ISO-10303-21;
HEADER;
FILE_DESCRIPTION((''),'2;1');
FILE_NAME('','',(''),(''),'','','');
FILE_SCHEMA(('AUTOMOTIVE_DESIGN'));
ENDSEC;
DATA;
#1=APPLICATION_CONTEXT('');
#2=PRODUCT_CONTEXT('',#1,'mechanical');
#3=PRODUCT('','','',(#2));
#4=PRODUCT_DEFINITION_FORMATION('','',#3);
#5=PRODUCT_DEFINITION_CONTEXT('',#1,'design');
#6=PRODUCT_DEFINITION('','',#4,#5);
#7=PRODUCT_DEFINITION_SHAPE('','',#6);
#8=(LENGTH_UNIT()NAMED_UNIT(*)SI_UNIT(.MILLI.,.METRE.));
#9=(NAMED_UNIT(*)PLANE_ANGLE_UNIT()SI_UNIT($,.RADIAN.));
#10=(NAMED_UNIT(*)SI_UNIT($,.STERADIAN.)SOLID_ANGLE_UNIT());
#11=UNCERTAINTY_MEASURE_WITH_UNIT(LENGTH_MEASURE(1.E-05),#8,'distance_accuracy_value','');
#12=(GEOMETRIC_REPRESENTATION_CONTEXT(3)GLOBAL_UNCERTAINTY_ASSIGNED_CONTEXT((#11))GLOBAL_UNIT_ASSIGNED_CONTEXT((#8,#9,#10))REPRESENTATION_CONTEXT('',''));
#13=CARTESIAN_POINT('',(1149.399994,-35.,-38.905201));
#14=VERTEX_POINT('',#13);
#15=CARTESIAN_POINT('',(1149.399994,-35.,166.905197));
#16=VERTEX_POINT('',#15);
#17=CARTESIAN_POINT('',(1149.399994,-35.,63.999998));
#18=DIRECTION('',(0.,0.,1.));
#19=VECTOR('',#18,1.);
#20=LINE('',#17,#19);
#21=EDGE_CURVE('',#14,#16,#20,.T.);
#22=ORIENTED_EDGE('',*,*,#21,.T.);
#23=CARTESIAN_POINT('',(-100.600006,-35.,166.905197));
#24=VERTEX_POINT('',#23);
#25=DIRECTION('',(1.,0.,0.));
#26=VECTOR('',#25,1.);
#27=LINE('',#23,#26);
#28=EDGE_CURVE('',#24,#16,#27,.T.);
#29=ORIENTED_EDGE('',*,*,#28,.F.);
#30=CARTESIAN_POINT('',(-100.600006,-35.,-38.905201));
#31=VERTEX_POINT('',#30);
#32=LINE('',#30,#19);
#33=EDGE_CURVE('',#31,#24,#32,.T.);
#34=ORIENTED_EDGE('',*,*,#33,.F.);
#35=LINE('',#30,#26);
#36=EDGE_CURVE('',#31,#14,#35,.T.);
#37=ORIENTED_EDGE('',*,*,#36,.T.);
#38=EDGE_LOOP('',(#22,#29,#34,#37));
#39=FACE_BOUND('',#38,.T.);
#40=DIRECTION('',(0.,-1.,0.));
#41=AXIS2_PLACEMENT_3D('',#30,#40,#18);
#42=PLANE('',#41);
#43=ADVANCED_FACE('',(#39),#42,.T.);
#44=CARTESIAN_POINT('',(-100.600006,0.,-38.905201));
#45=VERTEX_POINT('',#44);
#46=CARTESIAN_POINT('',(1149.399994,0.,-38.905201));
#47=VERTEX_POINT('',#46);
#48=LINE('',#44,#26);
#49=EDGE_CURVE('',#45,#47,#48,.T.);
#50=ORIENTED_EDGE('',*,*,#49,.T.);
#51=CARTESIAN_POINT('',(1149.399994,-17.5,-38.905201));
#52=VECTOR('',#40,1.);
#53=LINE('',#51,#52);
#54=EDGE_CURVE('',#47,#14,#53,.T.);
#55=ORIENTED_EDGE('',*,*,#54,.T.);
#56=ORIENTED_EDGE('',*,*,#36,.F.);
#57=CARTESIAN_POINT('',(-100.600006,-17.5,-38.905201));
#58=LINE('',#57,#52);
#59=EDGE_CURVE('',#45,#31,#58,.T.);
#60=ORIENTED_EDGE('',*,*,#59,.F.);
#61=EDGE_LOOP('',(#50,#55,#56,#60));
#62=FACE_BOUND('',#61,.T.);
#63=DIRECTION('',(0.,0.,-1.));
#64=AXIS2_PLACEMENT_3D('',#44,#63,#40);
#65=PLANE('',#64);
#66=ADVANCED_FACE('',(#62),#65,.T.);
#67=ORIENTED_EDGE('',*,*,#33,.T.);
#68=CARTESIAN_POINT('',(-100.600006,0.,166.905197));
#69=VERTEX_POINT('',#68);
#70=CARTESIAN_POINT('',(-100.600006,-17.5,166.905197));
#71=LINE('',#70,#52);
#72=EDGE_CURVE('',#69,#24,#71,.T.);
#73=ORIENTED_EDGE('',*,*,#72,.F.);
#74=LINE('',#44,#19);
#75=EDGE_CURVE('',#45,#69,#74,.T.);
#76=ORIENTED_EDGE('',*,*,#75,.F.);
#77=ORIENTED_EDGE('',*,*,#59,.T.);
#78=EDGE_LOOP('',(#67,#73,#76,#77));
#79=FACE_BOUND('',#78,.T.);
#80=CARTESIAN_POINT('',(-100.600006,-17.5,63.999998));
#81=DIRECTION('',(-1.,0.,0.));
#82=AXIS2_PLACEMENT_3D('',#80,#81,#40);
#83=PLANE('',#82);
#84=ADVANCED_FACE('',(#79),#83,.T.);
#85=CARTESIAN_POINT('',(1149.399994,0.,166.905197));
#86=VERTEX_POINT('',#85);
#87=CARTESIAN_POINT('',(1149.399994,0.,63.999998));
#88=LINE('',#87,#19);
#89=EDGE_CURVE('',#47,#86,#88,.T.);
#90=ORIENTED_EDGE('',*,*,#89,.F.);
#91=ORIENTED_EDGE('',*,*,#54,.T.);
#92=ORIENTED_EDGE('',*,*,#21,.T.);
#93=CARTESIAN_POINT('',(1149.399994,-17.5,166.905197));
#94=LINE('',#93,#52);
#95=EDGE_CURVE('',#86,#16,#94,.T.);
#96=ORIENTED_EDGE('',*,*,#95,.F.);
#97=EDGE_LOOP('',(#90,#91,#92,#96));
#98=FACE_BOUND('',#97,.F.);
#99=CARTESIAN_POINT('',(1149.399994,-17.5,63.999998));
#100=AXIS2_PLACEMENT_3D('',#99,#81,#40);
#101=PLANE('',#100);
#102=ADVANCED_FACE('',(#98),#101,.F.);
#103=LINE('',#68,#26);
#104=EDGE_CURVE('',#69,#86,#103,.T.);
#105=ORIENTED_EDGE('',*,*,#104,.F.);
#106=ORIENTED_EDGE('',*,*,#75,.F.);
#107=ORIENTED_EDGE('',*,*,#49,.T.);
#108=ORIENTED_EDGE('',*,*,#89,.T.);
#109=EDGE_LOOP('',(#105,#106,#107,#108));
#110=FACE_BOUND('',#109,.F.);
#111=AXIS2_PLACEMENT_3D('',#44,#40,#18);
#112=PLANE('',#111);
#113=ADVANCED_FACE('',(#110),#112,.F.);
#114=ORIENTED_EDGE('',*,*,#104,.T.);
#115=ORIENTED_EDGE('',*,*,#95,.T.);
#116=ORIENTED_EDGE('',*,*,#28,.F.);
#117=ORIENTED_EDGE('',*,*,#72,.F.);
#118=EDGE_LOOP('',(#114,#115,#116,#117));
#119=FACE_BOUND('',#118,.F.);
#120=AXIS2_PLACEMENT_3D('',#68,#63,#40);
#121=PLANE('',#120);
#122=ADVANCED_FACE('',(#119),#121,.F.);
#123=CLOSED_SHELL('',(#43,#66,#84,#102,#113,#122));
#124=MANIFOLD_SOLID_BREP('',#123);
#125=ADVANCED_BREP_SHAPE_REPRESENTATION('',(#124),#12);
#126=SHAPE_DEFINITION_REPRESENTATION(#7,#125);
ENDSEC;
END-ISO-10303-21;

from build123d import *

# Parameters (mm, degrees)
F0_W      = 200
F0_H      = 5.810397
F1_DEPTH  = 35
F1_FACE_W = 200
F1_FACE_H = 35
F2_DEPTH  = 200
F2_FACE_W = 35
F2_FACE_H = 205.810398
F3_DEPTH  = 1250


with BuildPart() as f1:
    # F0 (on Front) → F1 (new body)
    with BuildSketch(Plane.XZ):
        with Locations((-0.600006, -36.000002)):
            Rectangle(F0_W, F0_H)
    extrude(amount=F1_DEPTH)

    # F1_face (on face) → F2 (join)
    with BuildSketch(Plane(origin=(-0.600006, -17.5, -33.094804), x_dir=(1, 0, 0), z_dir=(0, 0, 1))):
        Rectangle(F1_FACE_W, F1_FACE_H)
    extrude(amount=F2_DEPTH)

    # F2_face (on face) → F3 (join)
    with BuildSketch(Plane(origin=(-100.600006, -17.5, 63.999998), x_dir=(0, -1, 0), z_dir=(-1, 0, 0))):
        Rectangle(F2_FACE_W, F2_FACE_H)
    extrude(amount=-F3_DEPTH)


solid = f1.part
